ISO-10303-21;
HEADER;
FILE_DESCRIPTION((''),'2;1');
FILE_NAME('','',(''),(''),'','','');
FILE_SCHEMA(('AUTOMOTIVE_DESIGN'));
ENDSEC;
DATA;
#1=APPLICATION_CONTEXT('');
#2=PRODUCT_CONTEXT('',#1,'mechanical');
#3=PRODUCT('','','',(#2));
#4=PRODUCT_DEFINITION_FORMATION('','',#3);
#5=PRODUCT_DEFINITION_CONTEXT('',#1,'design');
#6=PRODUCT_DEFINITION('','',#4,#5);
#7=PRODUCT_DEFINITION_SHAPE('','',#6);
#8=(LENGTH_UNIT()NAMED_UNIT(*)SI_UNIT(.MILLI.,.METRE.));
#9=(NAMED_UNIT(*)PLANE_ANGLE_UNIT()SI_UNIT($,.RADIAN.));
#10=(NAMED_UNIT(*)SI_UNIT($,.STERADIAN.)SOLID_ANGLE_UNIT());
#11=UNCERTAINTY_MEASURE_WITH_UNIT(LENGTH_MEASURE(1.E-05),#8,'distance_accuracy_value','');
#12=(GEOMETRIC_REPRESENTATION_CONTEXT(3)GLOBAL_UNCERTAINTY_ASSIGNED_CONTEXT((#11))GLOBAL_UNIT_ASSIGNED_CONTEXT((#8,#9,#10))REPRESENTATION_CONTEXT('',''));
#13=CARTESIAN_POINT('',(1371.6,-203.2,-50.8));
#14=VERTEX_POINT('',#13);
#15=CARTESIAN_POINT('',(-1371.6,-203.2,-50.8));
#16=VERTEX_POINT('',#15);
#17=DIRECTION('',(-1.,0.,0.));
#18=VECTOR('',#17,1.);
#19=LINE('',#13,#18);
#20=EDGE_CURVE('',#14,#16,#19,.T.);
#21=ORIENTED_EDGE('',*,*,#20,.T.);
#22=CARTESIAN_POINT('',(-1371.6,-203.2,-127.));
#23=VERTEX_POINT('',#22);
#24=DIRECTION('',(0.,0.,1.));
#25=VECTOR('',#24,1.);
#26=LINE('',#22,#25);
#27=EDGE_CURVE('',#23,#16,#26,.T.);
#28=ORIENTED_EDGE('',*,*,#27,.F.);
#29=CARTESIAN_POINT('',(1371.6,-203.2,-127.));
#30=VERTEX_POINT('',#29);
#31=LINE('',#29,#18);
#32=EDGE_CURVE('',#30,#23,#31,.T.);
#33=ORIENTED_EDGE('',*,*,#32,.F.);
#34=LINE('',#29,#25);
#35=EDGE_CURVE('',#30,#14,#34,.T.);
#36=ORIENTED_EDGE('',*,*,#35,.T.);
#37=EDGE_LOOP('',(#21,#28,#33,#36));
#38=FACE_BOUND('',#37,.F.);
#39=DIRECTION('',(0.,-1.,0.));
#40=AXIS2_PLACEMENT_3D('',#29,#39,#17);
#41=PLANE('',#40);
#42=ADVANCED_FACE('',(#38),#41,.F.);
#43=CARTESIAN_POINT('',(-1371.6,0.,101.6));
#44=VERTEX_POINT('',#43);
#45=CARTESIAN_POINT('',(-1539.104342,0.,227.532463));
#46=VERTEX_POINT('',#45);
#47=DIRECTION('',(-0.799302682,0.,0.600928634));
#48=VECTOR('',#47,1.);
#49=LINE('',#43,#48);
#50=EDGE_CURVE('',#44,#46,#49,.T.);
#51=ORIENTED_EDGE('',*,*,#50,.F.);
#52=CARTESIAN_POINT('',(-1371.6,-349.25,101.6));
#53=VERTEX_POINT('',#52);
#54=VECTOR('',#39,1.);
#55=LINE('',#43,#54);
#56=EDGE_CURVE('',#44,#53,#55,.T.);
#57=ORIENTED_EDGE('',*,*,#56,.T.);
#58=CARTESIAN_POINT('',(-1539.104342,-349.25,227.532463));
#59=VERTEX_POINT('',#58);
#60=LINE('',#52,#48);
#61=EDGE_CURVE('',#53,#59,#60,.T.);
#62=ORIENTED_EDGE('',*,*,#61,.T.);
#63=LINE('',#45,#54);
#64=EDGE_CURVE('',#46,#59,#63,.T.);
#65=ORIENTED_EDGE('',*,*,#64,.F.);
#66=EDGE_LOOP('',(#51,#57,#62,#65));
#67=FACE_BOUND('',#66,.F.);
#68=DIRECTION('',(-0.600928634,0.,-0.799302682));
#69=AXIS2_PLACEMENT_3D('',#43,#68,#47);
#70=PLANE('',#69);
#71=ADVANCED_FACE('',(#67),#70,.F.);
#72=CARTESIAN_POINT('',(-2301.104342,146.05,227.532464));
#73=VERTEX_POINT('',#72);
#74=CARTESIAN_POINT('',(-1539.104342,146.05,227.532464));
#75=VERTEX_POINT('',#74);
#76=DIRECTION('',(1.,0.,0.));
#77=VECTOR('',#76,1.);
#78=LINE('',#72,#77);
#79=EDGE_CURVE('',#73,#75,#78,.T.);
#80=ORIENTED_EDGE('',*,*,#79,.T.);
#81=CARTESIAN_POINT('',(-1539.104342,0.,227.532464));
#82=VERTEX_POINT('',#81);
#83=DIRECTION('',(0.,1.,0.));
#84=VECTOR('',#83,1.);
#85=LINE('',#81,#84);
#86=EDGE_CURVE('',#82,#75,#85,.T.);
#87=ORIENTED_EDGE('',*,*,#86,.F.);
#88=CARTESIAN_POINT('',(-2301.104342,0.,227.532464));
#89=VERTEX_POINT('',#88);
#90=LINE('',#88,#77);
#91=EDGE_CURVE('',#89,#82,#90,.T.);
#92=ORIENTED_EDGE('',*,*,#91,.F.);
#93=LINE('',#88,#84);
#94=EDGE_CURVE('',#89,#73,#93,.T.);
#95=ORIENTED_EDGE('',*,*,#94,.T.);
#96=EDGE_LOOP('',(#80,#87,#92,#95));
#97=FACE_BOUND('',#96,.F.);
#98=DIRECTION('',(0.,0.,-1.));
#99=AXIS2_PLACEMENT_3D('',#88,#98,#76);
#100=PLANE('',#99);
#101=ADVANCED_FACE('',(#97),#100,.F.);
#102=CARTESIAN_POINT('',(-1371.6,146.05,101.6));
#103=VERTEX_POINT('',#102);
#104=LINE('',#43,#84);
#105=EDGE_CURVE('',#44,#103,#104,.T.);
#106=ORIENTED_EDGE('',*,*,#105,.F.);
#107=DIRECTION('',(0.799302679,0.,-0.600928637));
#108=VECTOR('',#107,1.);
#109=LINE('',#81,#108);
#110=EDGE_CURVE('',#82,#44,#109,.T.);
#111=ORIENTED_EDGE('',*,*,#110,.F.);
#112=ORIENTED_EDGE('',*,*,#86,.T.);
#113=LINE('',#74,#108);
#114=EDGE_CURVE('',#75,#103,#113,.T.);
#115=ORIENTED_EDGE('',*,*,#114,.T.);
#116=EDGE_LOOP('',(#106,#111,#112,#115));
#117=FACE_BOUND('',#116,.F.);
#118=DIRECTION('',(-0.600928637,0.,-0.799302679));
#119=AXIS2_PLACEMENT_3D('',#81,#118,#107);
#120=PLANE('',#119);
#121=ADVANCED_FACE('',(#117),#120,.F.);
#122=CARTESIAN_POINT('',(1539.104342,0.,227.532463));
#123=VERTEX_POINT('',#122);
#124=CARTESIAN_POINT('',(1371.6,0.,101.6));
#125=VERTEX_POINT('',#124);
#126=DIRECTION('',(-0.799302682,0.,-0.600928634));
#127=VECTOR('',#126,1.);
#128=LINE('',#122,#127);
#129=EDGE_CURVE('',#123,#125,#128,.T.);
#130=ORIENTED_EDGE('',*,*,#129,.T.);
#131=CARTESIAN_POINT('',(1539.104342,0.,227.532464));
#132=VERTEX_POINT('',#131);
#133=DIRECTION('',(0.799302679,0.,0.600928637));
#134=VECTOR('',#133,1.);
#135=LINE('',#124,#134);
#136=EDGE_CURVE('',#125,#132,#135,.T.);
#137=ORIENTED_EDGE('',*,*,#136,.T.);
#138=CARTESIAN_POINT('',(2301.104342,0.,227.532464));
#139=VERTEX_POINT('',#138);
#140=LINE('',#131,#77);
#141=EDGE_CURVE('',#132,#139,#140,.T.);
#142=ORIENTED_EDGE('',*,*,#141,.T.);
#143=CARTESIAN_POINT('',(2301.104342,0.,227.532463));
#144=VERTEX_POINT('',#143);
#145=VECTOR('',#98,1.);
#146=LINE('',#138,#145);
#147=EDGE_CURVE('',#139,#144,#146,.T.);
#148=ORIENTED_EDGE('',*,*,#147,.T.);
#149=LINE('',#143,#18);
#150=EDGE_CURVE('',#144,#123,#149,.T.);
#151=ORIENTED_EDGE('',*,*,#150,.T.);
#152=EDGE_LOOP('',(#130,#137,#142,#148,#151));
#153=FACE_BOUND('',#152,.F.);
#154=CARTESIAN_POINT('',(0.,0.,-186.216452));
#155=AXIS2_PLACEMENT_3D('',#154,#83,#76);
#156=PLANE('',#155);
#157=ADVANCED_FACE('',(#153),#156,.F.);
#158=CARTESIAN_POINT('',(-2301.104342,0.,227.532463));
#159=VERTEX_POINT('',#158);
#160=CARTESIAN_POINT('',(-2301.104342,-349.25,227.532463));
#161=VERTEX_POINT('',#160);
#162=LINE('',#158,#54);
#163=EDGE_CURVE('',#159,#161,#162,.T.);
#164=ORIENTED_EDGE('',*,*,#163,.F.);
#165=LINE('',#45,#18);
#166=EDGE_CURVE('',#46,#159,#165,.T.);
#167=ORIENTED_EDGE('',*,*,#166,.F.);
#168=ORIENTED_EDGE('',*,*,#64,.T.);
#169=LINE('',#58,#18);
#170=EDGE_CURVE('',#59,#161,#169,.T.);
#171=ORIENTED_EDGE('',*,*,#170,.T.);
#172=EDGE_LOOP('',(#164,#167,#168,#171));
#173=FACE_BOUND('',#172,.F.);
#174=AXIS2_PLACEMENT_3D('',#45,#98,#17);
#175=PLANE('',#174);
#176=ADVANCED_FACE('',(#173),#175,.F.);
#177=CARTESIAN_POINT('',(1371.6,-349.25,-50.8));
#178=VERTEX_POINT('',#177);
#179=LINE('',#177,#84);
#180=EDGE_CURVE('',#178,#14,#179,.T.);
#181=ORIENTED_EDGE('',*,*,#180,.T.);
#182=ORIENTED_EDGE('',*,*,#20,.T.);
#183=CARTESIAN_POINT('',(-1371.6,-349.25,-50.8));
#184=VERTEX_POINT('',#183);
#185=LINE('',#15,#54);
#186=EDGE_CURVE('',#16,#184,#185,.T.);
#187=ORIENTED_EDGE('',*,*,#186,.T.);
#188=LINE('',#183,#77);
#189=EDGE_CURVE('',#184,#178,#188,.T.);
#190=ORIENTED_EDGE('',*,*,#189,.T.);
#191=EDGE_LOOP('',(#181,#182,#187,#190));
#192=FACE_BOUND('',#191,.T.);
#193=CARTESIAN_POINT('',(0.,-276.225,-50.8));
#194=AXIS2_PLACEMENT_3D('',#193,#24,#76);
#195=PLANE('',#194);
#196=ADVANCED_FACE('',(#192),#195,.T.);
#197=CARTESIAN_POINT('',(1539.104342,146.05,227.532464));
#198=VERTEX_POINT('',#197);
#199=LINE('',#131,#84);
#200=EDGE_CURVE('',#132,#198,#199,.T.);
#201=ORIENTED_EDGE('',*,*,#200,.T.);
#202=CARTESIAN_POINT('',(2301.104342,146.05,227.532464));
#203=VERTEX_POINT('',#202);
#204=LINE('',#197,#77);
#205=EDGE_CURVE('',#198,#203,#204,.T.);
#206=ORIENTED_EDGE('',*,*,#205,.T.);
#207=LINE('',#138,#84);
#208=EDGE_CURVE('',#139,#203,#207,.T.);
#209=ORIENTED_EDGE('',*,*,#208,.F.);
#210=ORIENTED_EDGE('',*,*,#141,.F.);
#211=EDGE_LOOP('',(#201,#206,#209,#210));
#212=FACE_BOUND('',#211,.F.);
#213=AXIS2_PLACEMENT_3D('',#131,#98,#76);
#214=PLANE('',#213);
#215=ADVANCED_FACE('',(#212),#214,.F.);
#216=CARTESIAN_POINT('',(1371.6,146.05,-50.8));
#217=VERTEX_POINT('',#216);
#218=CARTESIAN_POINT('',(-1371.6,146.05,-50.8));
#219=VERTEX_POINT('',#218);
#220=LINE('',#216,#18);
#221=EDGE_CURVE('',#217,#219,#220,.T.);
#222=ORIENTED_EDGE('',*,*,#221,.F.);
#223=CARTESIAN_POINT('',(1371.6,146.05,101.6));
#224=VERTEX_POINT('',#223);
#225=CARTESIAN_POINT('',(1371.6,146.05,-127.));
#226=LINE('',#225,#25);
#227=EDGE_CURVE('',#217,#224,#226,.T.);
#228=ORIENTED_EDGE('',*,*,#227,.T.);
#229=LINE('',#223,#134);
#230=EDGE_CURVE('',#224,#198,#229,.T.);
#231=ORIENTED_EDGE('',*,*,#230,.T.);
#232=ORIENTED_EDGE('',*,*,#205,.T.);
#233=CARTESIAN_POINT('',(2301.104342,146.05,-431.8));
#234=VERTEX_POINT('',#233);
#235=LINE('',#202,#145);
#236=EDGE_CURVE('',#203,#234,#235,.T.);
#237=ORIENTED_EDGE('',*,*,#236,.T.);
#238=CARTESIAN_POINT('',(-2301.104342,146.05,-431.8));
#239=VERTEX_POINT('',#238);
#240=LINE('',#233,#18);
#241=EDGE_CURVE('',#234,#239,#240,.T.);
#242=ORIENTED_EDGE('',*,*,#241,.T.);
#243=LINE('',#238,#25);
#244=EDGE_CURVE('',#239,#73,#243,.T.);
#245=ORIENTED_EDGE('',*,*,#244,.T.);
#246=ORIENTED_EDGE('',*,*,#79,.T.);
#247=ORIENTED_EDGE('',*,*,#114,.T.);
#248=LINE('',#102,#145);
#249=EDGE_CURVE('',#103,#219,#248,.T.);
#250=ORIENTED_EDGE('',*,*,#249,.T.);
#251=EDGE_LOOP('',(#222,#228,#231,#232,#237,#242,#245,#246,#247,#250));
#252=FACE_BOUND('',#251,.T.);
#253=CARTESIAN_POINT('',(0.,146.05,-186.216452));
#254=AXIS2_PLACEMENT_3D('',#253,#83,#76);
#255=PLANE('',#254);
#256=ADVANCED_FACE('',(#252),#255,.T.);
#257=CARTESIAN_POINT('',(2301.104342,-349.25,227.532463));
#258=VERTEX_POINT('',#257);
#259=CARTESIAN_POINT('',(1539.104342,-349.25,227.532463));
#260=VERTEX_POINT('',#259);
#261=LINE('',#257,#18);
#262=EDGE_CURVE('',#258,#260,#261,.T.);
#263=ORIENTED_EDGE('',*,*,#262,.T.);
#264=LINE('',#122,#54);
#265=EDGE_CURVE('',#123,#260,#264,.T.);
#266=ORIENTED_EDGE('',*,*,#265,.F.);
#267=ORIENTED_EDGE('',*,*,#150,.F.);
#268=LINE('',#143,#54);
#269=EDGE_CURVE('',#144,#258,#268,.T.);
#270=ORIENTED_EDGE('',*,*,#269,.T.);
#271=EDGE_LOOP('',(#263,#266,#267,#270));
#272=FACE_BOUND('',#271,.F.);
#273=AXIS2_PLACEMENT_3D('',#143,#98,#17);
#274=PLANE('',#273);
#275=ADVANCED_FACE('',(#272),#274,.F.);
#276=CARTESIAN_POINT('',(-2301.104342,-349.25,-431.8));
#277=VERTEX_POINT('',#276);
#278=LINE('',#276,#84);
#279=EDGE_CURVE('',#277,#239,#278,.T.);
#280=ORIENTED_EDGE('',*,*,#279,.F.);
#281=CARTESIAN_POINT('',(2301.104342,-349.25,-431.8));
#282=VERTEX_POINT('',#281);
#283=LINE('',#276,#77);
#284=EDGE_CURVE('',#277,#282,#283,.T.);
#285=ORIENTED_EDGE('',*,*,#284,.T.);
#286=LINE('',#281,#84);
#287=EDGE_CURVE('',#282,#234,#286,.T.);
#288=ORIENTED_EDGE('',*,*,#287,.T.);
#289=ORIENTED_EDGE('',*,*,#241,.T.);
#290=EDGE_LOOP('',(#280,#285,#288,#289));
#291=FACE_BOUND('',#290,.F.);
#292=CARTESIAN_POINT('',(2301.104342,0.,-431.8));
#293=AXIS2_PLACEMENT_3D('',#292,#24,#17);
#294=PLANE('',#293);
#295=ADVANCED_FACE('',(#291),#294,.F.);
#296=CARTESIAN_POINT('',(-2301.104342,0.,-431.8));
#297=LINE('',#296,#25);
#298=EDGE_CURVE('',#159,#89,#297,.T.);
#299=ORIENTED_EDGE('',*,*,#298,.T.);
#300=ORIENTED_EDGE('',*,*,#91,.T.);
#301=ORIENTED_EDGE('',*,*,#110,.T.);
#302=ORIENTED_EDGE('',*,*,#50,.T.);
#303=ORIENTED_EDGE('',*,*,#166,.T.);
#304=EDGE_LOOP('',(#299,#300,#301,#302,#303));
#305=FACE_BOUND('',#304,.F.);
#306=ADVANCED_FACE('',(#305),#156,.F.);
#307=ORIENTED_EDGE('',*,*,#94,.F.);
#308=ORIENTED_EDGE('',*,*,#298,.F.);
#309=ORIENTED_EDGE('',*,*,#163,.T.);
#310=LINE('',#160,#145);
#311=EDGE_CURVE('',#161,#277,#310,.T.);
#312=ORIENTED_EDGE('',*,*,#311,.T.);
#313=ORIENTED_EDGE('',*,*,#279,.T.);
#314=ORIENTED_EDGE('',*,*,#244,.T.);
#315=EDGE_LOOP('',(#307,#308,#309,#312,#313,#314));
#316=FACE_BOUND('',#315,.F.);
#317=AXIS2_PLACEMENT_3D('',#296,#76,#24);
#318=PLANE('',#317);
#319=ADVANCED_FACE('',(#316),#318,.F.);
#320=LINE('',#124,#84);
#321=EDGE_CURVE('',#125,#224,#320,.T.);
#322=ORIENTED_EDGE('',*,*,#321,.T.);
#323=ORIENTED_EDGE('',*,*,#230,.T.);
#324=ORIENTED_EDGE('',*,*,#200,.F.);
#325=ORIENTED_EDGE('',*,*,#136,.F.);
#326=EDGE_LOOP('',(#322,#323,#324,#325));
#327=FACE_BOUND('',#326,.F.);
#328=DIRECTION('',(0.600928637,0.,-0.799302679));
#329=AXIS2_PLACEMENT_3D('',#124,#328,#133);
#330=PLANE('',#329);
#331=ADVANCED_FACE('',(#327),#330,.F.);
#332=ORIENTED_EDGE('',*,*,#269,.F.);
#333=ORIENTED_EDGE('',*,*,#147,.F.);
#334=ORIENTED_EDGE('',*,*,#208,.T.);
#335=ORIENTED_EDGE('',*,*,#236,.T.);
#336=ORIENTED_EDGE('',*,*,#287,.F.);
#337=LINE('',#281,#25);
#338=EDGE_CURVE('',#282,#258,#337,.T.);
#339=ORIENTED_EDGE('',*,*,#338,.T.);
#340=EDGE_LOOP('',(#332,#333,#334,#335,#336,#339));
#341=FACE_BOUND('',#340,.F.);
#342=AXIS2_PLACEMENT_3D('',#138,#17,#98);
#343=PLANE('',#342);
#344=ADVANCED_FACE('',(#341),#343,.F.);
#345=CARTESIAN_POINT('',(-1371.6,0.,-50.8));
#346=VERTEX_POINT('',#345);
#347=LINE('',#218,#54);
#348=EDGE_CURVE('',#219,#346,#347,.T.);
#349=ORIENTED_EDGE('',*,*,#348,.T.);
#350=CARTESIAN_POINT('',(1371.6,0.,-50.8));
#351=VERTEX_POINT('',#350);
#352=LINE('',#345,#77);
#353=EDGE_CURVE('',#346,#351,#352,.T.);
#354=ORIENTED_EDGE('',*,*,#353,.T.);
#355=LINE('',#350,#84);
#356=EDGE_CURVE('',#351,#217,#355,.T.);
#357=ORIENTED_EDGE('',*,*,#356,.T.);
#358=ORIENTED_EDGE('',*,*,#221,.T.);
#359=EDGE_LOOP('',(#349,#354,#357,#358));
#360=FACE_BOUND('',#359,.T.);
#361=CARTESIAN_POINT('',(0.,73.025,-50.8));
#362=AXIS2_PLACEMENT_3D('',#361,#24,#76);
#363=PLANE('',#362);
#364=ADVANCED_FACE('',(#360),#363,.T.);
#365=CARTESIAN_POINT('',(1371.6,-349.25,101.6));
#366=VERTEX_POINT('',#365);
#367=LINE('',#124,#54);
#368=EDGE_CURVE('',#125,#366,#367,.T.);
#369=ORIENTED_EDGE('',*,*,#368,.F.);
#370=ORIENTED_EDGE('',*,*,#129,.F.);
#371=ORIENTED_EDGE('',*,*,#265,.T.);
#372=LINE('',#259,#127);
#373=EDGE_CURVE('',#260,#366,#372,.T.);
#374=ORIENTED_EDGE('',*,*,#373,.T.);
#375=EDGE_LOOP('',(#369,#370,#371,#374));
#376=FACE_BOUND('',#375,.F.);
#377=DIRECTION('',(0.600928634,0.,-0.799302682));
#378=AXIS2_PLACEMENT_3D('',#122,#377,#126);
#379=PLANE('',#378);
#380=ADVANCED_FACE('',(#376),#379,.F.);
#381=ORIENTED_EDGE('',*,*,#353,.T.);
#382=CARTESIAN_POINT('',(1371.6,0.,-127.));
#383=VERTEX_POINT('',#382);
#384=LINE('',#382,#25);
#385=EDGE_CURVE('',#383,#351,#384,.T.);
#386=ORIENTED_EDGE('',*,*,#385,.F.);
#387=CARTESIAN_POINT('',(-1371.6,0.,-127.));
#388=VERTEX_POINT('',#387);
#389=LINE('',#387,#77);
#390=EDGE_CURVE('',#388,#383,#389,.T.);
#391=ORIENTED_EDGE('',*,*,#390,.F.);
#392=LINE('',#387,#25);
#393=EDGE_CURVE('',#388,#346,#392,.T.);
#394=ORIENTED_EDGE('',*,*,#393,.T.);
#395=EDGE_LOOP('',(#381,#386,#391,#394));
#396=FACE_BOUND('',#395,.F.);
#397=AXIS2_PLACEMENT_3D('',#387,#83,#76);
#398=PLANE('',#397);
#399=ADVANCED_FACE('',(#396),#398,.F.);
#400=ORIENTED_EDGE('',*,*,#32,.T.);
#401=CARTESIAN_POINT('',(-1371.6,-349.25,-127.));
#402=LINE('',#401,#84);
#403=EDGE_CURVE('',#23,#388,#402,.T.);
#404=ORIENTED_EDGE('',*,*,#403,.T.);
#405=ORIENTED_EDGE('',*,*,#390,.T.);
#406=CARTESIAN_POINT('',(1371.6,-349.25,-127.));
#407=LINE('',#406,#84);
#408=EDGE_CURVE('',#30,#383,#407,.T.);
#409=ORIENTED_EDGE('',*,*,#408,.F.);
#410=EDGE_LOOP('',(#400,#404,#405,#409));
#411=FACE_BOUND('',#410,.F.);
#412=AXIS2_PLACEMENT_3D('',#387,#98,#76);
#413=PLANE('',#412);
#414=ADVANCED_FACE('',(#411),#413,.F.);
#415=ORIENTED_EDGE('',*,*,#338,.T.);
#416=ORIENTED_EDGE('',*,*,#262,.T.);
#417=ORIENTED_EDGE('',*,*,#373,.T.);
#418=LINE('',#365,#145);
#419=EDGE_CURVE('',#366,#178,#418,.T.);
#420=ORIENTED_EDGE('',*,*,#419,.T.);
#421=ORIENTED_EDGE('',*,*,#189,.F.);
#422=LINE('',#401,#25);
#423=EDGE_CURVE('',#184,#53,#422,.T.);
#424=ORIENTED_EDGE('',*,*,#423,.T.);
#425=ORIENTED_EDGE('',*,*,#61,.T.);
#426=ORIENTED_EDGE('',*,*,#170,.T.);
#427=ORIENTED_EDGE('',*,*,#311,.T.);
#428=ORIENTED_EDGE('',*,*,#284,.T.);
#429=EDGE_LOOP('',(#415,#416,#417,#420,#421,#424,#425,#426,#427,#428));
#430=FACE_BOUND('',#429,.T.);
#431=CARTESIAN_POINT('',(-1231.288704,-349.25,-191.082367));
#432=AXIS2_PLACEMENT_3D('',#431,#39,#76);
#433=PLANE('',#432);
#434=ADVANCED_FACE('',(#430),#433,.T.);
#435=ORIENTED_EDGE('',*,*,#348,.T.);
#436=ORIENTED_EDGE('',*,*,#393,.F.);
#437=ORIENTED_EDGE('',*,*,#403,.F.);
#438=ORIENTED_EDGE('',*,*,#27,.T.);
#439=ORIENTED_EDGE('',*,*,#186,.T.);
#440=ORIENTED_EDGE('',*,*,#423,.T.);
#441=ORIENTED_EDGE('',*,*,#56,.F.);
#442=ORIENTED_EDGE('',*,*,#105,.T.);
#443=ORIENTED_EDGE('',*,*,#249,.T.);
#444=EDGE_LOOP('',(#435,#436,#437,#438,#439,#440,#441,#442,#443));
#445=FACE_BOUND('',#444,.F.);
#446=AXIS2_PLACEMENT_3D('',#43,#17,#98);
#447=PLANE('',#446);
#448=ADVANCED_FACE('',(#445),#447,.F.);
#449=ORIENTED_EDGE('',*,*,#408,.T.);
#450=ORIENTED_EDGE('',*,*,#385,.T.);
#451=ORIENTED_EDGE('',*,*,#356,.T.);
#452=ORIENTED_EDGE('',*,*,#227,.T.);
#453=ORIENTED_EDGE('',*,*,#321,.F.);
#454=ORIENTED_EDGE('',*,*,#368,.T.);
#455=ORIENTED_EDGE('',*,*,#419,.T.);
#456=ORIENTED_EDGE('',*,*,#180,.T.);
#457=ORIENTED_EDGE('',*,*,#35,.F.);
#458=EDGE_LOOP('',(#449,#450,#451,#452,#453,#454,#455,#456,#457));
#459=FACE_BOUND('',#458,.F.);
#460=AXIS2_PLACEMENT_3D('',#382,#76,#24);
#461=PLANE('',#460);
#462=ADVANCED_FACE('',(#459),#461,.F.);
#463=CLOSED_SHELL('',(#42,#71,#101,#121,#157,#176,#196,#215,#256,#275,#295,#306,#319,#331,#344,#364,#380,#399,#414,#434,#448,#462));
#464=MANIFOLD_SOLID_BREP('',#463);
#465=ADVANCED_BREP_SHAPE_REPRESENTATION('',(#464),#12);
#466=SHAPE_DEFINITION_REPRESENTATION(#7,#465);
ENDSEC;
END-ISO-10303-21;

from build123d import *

# Parameters (mm, degrees)
F1_DEPTH = 349.25
F2_DEPTH = 146.05
F4_DEPTH = 76.2


with BuildPart() as f1:
    # F0 (on Front) → F1 (new body)
    with BuildSketch(Plane.XZ):
        Polygon((-1371.6, -127), (-1371.6, 0), (-1371.6, 101.6), (-1539.104342, 227.532463), (-2301.104342, 227.532463), (-2301.104342, -229.667537), (-2301.104342, -431.8), (0, -431.8), (0, -127), align=None)
        Polygon((1371.6, 101.6), (1371.6, 0), (1371.6, -127), (0, -127), (0, -431.8), (2301.104342, -431.8), (2301.104342, -229.667537), (2301.104342, 227.532463), (1539.104342, 227.532463), align=None)
    extrude(amount=F1_DEPTH)

    # F1_face (on face) → F2 (join)
    with BuildSketch(Plane(origin=(0, 0, -177.736676), x_dir=(1, 0, 0), z_dir=(0, 1, 0))):
        Polygon((-1371.6, -279.336676), (-1371.6, -50.736676), (1371.6, -50.736676), (1371.6, -279.336676), (1539.104342, -405.26914), (2301.104342, -405.26914), (2301.104342, 254.063324), (-2301.104342, 254.063324), (-2301.104342, -405.26914), (-1539.104342, -405.26914), align=None)
    extrude(amount=F2_DEPTH)

    # F3 (on face) → F4 (join)
    with BuildSketch(Plane.XY.offset(-127)):
        Polygon((1371.6, -349.25), (1371.6, -203.2), (-1369.649291, -203.2), (-1371.6, -203.2), (-1371.6, -349.25), (-791.898787, -349.25), align=None)
        Polygon((1371.6, 0), (1371.6, 146.05), (-791.898787, 146.05), (-1371.6, 146.05), (-1371.6, 0), (-1369.649291, 0), align=None)
    extrude(amount=F4_DEPTH)


solid = f1.part
